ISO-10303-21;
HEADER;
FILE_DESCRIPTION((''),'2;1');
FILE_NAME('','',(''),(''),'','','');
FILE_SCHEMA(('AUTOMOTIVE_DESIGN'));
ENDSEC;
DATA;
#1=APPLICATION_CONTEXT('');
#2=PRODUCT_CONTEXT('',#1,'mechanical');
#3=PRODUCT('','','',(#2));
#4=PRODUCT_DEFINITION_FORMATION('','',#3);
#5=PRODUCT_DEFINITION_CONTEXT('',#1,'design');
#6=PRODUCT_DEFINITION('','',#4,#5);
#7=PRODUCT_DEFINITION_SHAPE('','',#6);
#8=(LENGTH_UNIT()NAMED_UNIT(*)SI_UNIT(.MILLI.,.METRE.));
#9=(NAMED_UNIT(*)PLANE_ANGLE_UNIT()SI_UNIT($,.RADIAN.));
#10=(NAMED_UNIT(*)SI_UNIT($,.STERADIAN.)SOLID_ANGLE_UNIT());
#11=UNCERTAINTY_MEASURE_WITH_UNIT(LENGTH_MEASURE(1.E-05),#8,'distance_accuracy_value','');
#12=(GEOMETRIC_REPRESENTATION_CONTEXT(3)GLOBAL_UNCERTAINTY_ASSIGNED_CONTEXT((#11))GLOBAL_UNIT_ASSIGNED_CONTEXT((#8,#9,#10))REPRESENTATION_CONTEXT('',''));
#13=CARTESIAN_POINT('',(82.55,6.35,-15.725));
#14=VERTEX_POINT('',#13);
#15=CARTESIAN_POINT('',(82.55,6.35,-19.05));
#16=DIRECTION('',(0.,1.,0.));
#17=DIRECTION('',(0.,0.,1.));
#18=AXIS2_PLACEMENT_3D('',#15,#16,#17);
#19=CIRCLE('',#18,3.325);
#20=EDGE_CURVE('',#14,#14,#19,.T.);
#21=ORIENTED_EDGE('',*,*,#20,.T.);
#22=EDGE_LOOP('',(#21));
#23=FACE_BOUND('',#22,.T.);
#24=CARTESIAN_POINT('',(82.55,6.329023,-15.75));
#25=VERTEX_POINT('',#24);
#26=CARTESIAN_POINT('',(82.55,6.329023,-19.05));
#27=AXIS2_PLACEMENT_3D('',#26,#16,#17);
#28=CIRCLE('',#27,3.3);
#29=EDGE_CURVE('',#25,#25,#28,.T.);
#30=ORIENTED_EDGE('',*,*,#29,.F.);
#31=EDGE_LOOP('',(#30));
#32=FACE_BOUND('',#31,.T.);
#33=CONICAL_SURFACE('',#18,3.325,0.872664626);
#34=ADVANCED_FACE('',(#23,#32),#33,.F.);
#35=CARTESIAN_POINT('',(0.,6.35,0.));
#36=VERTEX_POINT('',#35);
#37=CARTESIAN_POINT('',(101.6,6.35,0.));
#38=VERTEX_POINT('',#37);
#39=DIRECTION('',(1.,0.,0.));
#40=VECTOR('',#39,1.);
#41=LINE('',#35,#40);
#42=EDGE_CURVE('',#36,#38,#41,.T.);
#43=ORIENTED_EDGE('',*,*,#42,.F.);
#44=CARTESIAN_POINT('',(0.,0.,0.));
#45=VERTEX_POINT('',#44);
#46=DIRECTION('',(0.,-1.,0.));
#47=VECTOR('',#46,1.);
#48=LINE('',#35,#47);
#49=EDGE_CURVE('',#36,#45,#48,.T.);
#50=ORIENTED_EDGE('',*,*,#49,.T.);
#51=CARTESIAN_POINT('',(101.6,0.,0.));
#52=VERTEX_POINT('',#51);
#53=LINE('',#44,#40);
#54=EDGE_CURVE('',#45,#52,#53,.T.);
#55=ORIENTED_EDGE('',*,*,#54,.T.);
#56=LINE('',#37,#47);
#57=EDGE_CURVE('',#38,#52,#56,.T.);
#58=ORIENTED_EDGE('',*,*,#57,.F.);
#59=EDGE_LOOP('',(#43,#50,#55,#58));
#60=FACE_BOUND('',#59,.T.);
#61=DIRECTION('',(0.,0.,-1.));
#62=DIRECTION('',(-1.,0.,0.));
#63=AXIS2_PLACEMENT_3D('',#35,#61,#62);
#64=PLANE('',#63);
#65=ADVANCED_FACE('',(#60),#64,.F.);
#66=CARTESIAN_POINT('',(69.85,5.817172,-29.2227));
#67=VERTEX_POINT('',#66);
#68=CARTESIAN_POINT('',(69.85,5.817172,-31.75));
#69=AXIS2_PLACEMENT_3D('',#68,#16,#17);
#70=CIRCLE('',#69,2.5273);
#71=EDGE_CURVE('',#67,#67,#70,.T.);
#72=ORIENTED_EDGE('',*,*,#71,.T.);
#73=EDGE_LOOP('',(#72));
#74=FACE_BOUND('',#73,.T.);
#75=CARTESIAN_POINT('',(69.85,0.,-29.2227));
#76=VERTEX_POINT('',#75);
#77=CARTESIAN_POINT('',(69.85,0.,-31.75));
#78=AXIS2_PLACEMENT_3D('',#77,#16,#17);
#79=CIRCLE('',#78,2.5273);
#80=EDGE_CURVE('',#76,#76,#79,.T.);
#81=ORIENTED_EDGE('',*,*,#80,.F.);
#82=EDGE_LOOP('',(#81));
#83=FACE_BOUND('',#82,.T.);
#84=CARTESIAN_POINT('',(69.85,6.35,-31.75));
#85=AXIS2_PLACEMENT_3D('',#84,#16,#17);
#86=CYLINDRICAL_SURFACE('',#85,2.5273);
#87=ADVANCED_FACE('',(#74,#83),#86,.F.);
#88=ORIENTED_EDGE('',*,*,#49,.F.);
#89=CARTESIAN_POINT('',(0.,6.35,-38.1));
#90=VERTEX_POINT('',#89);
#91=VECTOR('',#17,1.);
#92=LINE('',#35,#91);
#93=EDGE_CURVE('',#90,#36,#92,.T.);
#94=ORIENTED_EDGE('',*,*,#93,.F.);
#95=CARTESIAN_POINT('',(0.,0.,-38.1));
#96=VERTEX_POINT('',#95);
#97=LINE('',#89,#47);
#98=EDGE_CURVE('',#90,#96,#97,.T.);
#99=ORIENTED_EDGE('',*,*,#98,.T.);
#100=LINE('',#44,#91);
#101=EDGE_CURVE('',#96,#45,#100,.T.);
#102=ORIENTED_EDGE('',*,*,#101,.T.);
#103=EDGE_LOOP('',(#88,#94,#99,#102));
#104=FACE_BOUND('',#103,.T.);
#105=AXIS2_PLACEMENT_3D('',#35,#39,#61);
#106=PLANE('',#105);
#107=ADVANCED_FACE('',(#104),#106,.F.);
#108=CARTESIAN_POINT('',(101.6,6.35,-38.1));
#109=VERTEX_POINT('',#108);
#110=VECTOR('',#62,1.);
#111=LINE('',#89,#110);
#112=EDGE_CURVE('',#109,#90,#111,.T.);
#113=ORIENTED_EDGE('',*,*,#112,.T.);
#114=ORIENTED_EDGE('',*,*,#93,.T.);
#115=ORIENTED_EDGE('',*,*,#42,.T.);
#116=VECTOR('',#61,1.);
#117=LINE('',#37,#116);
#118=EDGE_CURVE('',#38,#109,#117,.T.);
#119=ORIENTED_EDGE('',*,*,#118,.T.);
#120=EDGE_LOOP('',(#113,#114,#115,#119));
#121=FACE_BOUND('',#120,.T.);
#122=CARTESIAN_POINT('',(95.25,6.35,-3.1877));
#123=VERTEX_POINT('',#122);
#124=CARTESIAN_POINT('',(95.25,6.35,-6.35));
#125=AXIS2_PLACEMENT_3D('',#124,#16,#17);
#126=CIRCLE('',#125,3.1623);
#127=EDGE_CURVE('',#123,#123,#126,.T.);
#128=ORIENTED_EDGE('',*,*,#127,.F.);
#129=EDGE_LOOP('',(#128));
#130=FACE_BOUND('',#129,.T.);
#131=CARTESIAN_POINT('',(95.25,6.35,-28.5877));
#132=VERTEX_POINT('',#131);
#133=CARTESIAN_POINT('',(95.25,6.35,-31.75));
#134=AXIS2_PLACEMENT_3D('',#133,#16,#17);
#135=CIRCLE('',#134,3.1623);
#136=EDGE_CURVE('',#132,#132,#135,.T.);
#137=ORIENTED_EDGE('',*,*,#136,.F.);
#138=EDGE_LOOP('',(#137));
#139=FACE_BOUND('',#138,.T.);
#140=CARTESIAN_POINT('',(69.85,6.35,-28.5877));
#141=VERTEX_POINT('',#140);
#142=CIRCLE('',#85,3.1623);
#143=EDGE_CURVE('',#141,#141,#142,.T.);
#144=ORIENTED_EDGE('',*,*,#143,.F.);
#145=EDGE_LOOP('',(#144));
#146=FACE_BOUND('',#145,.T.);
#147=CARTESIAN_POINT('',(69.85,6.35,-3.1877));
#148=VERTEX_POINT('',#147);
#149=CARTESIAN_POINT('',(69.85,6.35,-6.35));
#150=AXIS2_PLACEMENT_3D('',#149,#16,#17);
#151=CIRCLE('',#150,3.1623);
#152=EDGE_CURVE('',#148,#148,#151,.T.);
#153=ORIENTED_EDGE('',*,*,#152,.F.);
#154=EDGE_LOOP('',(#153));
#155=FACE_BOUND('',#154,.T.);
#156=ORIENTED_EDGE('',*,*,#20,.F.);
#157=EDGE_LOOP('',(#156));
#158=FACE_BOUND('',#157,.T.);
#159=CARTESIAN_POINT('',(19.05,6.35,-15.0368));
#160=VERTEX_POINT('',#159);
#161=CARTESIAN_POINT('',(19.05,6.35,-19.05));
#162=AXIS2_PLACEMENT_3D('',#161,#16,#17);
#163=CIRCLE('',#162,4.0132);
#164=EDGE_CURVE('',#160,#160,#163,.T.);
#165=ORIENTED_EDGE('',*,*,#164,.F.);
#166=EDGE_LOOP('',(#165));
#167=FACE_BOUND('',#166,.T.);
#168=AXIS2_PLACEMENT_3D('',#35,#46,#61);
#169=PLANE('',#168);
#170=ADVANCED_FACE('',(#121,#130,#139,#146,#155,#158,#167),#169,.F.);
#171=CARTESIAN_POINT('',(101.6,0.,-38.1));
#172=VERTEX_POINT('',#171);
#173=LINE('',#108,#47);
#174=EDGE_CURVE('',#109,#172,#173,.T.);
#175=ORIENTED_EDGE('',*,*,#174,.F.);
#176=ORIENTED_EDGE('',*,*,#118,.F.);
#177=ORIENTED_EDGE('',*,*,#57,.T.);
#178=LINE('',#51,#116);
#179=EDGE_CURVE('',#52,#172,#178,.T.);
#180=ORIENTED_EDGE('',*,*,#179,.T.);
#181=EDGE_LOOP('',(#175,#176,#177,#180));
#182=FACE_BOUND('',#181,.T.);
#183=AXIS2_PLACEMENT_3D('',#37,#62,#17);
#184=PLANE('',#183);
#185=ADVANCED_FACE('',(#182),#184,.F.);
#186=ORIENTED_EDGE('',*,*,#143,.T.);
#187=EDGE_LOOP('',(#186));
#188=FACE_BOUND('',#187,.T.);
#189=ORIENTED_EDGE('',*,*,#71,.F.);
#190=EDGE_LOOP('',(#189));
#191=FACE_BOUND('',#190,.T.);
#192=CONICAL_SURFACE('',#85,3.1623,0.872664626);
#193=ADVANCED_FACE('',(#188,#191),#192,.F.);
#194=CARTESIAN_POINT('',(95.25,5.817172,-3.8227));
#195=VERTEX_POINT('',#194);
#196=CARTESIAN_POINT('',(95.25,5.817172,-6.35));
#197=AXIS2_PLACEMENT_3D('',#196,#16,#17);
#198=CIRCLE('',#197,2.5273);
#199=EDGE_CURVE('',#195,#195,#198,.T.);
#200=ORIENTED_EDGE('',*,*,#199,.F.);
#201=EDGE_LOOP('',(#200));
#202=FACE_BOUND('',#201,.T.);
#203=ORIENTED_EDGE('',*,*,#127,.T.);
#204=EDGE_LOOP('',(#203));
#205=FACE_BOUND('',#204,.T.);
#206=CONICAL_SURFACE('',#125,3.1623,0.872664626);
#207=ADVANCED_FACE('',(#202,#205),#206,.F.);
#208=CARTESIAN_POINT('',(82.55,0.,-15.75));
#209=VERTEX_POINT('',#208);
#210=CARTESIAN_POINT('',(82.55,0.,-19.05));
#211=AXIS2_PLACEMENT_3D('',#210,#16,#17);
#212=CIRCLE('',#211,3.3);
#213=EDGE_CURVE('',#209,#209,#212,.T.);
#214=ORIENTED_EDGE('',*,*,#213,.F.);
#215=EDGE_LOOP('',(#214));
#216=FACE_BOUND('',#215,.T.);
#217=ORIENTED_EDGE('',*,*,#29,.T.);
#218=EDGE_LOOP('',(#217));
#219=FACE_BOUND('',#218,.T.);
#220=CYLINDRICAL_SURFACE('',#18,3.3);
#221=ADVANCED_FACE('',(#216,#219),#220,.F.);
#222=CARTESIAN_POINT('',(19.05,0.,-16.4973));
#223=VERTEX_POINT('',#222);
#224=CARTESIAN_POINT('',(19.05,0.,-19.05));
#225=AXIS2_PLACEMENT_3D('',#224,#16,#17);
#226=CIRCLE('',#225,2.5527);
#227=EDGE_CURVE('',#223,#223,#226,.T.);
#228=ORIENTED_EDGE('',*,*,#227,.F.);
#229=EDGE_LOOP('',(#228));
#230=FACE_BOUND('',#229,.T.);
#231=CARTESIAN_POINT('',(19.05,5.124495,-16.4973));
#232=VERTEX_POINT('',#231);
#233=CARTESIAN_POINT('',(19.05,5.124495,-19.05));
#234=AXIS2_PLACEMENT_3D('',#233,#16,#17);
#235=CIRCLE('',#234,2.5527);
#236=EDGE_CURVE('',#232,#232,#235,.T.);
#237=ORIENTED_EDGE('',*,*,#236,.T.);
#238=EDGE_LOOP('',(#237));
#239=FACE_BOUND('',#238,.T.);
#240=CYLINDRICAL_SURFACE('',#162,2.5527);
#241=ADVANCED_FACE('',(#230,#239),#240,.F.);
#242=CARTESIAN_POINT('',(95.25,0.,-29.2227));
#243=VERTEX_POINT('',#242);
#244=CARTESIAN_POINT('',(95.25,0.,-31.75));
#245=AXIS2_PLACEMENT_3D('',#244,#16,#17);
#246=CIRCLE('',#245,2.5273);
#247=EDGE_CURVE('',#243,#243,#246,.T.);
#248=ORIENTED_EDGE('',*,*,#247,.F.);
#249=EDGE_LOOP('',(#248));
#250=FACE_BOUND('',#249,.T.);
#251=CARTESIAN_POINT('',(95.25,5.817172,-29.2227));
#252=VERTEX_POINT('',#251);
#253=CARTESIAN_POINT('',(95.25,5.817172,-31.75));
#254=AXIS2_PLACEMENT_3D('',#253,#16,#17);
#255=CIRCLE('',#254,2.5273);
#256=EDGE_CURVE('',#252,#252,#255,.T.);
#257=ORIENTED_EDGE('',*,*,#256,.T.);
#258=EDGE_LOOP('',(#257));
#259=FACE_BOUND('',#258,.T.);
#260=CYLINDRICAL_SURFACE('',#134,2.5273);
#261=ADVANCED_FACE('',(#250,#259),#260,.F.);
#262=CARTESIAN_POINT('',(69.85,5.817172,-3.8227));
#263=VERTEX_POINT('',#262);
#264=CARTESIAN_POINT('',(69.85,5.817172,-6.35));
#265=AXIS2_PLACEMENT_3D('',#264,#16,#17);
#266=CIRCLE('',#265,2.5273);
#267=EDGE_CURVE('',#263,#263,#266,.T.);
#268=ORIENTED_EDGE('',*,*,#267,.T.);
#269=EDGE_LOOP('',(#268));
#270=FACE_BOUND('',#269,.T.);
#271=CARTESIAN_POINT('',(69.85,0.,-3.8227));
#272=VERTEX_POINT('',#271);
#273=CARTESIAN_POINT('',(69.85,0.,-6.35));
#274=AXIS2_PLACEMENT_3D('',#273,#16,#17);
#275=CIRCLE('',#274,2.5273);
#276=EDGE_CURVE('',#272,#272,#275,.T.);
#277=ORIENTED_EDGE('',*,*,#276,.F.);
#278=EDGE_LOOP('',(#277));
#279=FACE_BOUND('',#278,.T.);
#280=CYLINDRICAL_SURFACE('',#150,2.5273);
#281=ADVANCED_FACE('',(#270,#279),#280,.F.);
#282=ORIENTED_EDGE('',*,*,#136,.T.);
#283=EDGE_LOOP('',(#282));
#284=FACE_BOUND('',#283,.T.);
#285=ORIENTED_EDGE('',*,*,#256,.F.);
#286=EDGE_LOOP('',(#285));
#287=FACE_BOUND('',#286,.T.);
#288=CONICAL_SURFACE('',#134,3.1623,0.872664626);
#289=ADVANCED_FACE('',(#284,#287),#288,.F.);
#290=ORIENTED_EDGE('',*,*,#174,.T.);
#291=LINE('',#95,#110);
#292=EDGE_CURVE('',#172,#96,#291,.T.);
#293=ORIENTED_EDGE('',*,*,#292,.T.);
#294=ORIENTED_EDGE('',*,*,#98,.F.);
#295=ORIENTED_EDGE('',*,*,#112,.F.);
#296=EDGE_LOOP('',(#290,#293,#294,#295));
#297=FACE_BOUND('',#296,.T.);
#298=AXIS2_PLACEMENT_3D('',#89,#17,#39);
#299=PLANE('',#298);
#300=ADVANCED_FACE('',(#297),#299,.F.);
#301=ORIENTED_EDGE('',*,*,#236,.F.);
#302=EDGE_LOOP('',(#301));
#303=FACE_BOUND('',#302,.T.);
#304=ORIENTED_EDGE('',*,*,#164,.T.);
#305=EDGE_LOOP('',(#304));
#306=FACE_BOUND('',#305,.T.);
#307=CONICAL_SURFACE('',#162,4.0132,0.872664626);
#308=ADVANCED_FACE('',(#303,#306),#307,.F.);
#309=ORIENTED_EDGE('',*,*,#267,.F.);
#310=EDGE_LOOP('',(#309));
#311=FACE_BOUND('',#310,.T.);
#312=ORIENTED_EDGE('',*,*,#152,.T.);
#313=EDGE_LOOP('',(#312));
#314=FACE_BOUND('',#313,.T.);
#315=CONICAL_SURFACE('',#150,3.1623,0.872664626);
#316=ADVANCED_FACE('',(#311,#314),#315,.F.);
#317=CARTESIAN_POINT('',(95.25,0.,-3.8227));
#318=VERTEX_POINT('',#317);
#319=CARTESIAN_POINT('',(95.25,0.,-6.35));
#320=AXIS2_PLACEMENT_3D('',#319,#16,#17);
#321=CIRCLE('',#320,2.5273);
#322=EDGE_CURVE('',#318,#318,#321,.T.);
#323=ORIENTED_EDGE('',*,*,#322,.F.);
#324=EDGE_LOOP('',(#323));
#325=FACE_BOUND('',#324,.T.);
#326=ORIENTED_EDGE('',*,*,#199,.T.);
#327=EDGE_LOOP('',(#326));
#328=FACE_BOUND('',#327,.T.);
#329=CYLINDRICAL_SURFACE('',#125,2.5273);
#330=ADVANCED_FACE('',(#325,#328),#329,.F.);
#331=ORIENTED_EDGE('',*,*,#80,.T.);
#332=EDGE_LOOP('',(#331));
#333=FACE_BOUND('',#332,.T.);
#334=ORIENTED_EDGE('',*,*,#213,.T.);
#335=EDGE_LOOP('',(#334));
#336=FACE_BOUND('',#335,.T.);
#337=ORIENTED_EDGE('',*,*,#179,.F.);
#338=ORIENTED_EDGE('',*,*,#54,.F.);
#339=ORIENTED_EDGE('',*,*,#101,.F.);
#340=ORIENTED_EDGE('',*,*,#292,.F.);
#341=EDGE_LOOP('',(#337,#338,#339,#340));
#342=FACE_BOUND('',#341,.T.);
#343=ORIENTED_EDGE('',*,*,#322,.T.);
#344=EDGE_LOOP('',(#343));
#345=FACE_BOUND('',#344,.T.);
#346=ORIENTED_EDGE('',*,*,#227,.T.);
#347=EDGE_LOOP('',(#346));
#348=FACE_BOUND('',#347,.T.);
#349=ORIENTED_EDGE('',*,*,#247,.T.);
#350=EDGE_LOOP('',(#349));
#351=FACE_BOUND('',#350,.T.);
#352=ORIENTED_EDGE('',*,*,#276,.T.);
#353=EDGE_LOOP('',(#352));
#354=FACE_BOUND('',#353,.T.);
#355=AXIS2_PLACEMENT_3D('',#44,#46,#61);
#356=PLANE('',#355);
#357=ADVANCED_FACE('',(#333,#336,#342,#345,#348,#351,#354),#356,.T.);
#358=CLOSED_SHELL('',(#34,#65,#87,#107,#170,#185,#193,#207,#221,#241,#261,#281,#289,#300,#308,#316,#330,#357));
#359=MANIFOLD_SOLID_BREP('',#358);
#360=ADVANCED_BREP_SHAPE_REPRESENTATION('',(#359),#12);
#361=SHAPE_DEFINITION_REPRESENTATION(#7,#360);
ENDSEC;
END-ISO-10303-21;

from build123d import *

# Parameters (mm, degrees)
SKETCH1_W                            = 101.6
SKETCH1_H                            = 38.1
BOSS_EXTRUDE1_DEPTH                  = 6.35
F_1_4_20_TAPPED_HOLE1_D              = 5.1054
F_1_4_20_TAPPED_HOLE1_CSINK_D        = 8.0264
F_1_4_20_TAPPED_HOLE1_CSINK_ANGLE    = 100
M6_CLEARANCE_HOLE1_D                 = 6.6
M6_CLEARANCE_HOLE1_CSINK_D           = 6.65
M6_CLEARANCE_HOLE1_CSINK_ANGLE       = 100
F_8_0_199_DIAMETER_HOLE1_D           = 5.0546
F_8_0_199_DIAMETER_HOLE1_CSINK_D     = 6.3246
F_8_0_199_DIAMETER_HOLE1_CSINK_ANGLE = 100


with BuildPart() as part:
    # Sketch1 → Boss-Extrude1 (new body)
    with BuildSketch(Plane(origin=(0, 0, 0), x_dir=(1, 0, 0), z_dir=(0, 1, 0))):
        with Locations((50.8, 19.05)):
            Rectangle(SKETCH1_W, SKETCH1_H)
    extrude(amount=BOSS_EXTRUDE1_DEPTH)

    # 1/4-20 Tapped Hole1 (through all)
    with Locations(Plane(origin=(0, 6.35, 0), x_dir=(1, 0, 0), z_dir=(0, 1, 0))):
        with Locations((19.05, 19.05)):
            CounterSinkHole(F_1_4_20_TAPPED_HOLE1_D / 2, F_1_4_20_TAPPED_HOLE1_CSINK_D / 2, counter_sink_angle=F_1_4_20_TAPPED_HOLE1_CSINK_ANGLE)

    # M6 Clearance Hole1 (through all)
    with Locations(Plane(origin=(0, 6.35, 0), x_dir=(1, 0, 0), z_dir=(0, 1, 0))):
        with Locations((82.55, 19.05)):
            CounterSinkHole(M6_CLEARANCE_HOLE1_D / 2, M6_CLEARANCE_HOLE1_CSINK_D / 2, counter_sink_angle=M6_CLEARANCE_HOLE1_CSINK_ANGLE)

    # #8 (0.199) Diameter Hole1 (through all)
    with Locations(Plane(origin=(0, 6.35, 0), x_dir=(1, 0, 0), z_dir=(0, 1, 0))):
        with Locations((95.25, 31.75), (69.85, 31.75), (69.85, 6.35), (95.25, 6.35)):
            CounterSinkHole(F_8_0_199_DIAMETER_HOLE1_D / 2, F_8_0_199_DIAMETER_HOLE1_CSINK_D / 2, counter_sink_angle=F_8_0_199_DIAMETER_HOLE1_CSINK_ANGLE)


solid = part.part
